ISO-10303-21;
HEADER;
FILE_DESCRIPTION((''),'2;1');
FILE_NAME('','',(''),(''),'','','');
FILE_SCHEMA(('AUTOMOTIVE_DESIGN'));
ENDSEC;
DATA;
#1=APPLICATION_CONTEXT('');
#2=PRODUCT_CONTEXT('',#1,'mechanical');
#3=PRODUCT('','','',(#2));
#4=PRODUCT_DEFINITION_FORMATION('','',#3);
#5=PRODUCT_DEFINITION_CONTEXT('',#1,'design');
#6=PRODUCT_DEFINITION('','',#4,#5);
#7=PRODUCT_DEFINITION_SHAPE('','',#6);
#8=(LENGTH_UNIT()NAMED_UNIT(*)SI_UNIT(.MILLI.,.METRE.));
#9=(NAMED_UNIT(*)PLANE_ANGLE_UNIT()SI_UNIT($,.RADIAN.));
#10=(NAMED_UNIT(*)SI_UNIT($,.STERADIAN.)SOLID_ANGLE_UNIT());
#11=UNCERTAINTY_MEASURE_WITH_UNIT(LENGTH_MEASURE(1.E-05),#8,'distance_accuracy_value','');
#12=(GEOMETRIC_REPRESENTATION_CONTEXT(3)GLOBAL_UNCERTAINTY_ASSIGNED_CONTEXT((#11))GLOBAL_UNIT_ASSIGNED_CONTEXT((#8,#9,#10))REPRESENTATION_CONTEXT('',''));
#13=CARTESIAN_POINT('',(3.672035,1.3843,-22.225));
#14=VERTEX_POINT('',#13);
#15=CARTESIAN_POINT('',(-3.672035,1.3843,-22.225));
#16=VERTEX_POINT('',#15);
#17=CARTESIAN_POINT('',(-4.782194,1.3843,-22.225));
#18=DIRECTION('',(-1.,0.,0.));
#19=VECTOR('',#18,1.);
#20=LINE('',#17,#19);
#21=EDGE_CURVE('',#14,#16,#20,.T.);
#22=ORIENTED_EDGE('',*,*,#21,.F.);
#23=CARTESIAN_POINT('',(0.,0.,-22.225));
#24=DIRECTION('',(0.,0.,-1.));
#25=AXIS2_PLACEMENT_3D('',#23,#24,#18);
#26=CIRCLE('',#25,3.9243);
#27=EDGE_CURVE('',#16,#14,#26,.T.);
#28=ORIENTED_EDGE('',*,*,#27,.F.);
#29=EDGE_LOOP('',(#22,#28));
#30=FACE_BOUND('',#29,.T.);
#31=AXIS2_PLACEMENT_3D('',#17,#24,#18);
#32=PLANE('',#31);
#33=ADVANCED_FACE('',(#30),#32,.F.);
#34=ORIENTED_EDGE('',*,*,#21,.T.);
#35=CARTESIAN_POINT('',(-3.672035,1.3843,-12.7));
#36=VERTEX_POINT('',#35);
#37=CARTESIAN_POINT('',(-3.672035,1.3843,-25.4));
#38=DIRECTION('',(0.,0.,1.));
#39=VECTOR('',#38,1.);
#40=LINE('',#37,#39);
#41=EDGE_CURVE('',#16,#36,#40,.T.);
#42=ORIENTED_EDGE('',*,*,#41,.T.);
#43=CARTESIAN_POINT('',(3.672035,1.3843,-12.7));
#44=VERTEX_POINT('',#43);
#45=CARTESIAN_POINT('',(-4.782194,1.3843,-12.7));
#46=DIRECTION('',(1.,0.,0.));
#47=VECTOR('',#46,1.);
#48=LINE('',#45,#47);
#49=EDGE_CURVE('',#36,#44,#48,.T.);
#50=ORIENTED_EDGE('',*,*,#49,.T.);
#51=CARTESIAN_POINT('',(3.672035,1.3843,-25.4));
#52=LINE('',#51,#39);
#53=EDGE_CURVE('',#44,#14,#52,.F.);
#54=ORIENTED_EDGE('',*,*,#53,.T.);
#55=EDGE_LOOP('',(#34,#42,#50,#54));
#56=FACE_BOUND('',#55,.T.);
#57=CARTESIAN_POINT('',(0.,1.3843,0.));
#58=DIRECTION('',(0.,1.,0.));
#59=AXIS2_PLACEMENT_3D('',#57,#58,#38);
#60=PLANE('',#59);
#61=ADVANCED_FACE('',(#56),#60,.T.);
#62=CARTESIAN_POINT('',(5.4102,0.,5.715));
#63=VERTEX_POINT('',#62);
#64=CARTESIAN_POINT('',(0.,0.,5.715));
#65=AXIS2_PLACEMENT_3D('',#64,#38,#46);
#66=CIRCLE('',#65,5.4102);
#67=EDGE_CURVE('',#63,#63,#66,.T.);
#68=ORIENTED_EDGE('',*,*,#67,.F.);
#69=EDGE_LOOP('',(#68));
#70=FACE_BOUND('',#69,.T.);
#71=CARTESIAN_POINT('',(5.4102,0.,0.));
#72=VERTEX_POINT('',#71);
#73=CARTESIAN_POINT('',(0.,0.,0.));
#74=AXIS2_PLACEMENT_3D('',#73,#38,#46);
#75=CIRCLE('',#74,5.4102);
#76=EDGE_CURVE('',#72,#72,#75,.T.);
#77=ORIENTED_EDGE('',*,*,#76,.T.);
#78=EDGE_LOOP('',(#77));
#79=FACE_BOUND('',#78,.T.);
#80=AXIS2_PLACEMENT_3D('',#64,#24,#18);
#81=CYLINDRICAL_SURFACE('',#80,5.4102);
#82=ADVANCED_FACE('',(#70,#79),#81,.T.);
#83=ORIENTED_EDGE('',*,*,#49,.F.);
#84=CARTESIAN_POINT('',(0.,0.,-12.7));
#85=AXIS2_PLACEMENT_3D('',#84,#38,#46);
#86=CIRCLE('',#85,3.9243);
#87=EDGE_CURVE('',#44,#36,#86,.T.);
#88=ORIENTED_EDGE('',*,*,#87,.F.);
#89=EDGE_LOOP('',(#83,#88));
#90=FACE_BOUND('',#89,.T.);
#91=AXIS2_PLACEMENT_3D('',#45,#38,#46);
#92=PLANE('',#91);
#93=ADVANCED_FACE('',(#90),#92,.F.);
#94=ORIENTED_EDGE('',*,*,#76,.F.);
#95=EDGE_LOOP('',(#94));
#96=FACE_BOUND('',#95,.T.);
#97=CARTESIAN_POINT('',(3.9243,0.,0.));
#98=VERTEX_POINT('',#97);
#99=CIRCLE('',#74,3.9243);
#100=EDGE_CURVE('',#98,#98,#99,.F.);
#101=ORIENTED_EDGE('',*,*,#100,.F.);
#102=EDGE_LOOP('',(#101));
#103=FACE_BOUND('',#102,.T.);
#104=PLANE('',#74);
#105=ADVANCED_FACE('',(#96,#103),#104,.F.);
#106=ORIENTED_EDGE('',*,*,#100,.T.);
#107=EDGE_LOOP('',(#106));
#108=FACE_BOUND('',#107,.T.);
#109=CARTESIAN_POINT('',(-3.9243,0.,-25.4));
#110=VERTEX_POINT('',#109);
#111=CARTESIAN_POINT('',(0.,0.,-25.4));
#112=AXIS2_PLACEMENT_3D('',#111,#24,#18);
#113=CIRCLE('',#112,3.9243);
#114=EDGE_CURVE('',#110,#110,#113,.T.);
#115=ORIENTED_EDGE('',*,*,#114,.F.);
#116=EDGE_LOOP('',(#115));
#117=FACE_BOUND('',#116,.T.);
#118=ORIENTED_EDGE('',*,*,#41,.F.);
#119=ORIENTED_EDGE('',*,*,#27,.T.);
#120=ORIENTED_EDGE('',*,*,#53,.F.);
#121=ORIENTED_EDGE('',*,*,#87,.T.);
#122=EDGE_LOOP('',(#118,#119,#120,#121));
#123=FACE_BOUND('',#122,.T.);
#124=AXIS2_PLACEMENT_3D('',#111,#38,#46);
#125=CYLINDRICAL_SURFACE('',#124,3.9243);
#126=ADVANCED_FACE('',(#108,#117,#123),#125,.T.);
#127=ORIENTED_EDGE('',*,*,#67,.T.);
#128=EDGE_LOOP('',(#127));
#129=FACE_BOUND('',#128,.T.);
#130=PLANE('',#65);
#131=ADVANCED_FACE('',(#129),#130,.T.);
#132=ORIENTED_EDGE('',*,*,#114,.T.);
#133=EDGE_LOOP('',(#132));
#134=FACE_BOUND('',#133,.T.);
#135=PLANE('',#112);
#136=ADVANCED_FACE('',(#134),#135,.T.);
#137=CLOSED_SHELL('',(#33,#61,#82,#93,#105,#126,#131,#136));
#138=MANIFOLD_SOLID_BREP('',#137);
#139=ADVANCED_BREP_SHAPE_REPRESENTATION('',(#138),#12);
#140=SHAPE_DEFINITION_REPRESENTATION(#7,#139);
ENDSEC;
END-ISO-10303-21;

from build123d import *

# Parameters (mm, degrees)
SKETCH1_R           = 5.4102
BOSS_EXTRUDE1_DEPTH = 5.715
SKETCH2_R           = 3.9243
BOSS_EXTRUDE2_DEPTH = 25.4
SKETCH3_W           = 9.007282867
SKETCH3_H           = 9.525
CUT_EXTRUDE1_DEPTH  = 2.54


with BuildPart() as part:
    # Sketch1 → Boss-Extrude1 (new body)
    with BuildSketch(Plane.XY):
        Circle(SKETCH1_R)
    extrude(amount=BOSS_EXTRUDE1_DEPTH)

    # Sketch2 → Boss-Extrude2 (add)
    with BuildSketch(Plane(origin=(0, 0, 0), x_dir=(-1, 0, 0), z_dir=(0, 0, -1))):
        with Locations(Location((0, 0, 0), (0, 0, 180))):
            Circle(SKETCH2_R)
    extrude(amount=BOSS_EXTRUDE2_DEPTH)

    # Sketch3 → Cut-Extrude1 (cut)
    with BuildSketch(Plane(origin=(0, 3.9243, 0), x_dir=(1, 0, 0), z_dir=(0, 1, 0))):
        with Locations((-0.278552297, 17.4625)):
            Rectangle(SKETCH3_W, SKETCH3_H)
    extrude(amount=-CUT_EXTRUDE1_DEPTH, mode=Mode.SUBTRACT)


solid = part.part
